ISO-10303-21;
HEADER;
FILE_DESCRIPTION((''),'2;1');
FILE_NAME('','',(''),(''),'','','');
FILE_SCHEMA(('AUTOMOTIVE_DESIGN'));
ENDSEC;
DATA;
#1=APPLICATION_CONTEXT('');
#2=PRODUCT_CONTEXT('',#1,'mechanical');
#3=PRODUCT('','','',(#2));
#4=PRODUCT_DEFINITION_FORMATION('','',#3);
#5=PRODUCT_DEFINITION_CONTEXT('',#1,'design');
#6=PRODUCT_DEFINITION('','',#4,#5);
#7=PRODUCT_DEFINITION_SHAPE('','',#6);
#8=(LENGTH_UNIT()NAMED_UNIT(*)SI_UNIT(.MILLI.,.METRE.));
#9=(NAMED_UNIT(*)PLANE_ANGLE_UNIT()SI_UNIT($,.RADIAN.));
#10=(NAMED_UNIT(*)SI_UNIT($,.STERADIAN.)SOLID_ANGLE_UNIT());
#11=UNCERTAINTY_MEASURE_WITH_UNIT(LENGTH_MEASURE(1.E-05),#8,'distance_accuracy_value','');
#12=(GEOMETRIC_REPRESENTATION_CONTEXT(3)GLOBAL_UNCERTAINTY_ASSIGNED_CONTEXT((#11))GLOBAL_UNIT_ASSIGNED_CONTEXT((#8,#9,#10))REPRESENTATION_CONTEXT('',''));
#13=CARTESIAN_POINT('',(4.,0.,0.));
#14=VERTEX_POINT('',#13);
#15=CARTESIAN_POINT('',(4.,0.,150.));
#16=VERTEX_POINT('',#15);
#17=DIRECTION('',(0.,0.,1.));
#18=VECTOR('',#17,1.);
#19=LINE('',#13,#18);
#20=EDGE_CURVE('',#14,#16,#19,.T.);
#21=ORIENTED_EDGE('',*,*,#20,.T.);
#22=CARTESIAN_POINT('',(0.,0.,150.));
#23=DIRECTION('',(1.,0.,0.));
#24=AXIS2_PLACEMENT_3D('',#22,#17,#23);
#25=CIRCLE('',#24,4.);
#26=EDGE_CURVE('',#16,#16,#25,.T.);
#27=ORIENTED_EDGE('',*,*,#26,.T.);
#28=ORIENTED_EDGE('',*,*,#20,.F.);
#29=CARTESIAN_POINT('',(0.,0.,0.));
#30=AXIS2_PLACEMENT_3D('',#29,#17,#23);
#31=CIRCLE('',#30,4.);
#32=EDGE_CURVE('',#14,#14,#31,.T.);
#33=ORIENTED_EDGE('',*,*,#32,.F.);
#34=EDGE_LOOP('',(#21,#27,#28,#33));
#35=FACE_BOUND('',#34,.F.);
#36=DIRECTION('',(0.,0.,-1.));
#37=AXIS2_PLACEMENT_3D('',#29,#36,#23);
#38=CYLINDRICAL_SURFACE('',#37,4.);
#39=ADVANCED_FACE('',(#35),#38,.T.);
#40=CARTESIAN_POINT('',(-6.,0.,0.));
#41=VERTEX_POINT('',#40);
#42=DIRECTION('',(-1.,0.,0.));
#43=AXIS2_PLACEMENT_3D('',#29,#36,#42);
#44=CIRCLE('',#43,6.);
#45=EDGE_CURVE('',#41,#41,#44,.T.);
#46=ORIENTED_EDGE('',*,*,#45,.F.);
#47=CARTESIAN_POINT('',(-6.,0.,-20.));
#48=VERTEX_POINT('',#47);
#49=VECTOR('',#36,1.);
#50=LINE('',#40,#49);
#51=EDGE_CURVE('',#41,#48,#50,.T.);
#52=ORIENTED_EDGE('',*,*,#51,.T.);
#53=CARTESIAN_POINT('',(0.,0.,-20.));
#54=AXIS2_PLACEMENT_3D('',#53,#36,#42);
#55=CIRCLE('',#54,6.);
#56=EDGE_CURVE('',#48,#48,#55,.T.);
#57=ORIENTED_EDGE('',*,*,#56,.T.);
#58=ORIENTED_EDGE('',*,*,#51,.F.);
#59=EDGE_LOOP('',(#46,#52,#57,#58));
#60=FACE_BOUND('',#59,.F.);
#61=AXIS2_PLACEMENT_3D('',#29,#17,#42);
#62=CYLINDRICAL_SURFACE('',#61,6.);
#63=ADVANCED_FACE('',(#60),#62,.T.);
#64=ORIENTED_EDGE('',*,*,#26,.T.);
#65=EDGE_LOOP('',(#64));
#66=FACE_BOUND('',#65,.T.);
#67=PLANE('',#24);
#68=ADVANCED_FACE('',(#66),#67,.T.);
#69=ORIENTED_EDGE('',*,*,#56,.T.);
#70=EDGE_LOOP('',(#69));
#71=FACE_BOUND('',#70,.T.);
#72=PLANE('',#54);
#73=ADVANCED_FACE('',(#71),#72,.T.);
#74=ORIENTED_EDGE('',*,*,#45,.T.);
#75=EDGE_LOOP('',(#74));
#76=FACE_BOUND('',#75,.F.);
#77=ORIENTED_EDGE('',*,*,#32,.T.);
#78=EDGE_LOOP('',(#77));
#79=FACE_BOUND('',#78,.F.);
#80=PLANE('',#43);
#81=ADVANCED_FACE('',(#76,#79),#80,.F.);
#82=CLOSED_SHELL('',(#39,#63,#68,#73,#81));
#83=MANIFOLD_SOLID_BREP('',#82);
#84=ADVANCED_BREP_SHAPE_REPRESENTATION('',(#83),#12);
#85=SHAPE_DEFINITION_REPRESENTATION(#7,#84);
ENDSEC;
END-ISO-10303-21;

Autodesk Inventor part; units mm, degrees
ref_plane "YZ Plane" through (0, 0, 0) normal (1, 0, 0) x (0, 1, 0)
ref_plane "XZ Plane" through (0, 0, 0) normal (0, 1, 0) x (-1, 0, 0)
ref_plane "XY Plane" through (0, 0, 0) normal (0, 0, 1) x (1, 0, 0)
sketch "Sketch1" plane through (0, 0, 0) normal (0, 0, 1) x (1, 0, 0)
  circle A0 centre (0, 0) radius 4
  dimension "d0" = 8
extrude "Extrusion1" add sketch "Sketch1" along normal blind 150
thread "Thread1" size "TR8x1.5" class "7e" standard "ISO Metric Trapezoidal Threads" full length
sketch "Sketch2" plane through (0, 0, 0) normal (0, 0, -1) x (-1, 0, 0)
  circle A0 centre (0, 0) radius 6
  dimension "d5" = 12
extrude "Extrusion2" add sketch "Sketch2" along normal blind 20
properties part number "Screw_"
